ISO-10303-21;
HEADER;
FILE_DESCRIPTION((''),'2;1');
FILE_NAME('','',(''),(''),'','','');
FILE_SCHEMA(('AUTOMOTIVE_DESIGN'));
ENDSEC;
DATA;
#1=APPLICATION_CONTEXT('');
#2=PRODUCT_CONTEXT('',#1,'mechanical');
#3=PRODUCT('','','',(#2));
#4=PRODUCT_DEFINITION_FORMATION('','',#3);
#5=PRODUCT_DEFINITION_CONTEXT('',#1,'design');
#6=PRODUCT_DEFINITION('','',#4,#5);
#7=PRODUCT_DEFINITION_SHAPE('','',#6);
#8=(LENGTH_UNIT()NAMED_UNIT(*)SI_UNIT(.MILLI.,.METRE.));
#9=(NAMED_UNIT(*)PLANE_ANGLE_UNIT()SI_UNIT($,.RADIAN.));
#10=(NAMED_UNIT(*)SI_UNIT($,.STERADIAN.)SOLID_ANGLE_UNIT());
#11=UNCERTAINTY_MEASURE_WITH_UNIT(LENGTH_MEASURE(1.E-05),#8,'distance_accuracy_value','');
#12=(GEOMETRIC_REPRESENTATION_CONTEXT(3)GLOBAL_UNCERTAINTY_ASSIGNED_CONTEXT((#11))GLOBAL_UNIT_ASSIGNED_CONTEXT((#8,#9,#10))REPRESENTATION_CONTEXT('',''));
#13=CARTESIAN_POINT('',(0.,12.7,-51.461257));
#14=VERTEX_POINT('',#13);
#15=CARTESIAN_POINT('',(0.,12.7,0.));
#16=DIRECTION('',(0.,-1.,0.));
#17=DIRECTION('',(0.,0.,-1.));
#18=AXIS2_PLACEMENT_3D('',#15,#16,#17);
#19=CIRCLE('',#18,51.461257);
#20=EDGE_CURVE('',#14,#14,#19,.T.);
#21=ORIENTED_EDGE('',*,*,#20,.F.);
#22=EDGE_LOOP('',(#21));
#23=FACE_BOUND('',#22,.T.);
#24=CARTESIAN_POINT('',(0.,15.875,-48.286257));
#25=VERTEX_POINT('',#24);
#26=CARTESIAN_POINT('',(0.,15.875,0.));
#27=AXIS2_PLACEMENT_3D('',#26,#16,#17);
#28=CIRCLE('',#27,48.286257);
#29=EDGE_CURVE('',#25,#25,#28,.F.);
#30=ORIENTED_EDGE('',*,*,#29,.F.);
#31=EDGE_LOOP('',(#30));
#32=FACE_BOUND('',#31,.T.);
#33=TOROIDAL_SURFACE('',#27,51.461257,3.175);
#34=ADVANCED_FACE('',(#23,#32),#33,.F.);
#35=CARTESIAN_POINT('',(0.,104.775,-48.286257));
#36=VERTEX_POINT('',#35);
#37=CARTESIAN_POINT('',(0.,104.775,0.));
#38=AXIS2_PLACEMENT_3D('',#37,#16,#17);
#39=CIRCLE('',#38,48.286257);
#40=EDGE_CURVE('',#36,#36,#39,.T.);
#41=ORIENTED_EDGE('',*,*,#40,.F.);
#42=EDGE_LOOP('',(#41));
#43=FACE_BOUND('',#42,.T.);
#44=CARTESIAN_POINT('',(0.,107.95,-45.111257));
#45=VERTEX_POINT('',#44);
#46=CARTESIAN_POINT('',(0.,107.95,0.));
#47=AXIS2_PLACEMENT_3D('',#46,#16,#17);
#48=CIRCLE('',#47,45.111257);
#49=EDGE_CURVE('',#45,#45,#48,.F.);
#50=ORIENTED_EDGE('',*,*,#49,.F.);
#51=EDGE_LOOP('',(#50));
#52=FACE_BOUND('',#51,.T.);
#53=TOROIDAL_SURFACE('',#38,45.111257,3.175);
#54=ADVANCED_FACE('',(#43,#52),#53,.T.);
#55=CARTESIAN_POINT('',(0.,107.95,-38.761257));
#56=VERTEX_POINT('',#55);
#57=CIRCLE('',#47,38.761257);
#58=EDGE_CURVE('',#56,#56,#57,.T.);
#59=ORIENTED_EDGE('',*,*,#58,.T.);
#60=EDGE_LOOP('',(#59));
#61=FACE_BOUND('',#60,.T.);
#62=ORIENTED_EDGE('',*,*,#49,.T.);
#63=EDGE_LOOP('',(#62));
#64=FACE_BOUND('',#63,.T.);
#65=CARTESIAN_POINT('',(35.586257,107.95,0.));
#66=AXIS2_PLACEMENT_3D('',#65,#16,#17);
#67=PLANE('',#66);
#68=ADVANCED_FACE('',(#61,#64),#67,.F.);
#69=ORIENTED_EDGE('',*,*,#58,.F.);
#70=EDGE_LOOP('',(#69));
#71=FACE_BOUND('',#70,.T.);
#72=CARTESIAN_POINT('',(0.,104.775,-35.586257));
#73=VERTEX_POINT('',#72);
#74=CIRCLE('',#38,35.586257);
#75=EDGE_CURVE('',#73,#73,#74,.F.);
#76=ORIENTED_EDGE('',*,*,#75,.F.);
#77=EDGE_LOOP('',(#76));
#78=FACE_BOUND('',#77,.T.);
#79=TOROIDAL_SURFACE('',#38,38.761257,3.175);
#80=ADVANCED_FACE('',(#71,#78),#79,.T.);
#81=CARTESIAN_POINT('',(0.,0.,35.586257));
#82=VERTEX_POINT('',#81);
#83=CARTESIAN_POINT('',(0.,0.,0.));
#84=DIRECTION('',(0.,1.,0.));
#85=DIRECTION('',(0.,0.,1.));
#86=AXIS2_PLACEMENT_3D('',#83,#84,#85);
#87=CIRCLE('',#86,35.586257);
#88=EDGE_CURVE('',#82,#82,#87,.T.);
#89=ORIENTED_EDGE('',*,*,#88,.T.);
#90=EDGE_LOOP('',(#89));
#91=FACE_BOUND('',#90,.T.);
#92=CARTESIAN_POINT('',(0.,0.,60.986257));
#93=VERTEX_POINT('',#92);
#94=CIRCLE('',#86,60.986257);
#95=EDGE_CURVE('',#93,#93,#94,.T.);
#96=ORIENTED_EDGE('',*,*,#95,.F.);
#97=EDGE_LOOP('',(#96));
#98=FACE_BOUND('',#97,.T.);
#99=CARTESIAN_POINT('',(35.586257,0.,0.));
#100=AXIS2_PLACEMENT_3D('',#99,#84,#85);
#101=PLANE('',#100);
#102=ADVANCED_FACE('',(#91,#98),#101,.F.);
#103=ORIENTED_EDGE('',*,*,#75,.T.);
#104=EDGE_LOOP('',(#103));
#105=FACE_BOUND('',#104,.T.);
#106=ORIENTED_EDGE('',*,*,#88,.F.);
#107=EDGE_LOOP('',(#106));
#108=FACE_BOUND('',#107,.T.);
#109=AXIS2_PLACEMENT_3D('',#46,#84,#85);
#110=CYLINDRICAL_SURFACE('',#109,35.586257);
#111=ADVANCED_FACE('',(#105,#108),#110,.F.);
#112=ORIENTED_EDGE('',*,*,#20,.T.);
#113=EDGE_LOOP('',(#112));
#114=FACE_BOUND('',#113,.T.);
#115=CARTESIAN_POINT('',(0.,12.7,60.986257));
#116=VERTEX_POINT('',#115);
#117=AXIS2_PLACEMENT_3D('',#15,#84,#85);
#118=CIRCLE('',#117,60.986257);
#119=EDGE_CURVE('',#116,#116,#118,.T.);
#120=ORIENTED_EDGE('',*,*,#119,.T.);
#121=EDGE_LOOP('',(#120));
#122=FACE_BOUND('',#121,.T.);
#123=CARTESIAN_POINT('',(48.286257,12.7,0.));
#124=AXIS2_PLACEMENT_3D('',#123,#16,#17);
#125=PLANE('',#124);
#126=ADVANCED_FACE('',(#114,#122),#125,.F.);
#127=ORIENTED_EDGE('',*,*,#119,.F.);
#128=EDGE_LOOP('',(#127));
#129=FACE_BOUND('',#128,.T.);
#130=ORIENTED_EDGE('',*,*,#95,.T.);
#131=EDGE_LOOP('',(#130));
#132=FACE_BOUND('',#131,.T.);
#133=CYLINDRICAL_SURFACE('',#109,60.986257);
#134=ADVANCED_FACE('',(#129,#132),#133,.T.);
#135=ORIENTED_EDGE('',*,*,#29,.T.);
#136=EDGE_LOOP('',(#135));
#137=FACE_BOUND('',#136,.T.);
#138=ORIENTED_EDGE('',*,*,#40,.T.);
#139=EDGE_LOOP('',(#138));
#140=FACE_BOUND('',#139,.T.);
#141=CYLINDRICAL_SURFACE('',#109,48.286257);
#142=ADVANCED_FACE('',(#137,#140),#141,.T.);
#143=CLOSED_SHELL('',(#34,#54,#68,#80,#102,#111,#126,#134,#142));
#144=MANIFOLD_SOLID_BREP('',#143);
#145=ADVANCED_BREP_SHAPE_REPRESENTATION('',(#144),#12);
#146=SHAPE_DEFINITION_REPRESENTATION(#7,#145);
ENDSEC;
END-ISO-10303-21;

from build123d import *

# Parameters (mm, degrees)
FILLET1_R = 3.175


with BuildPart() as part:
    # Sketch1 → Revolve1 (revolve)
    with BuildSketch(Plane.XY, mode=Mode.PRIVATE) as revolve1_sk:
        Polygon((35.586256664, 107.95), (48.286256664, 107.95), (48.286256664, 12.7), (60.986256664, 12.7), (60.986256664, 0), (35.586256664, 0), align=None)
    revolve(revolve1_sk.sketch.rotate(Axis((0, 107.95, 0), (0, -1, 0)), 90), axis=Axis((0, 107.95, 0), (0, -1, 0)))

    # Fillet1
    fillet1_edges = [part.edges().sort_by_distance(p)[0] for p in [
        (0, 107.95, -35.586256664),
        (0, 107.95, -48.286256664),
        (0, 12.7, -48.286256664),
    ]]
    fillet(fillet1_edges, radius=FILLET1_R)


solid = part.part
